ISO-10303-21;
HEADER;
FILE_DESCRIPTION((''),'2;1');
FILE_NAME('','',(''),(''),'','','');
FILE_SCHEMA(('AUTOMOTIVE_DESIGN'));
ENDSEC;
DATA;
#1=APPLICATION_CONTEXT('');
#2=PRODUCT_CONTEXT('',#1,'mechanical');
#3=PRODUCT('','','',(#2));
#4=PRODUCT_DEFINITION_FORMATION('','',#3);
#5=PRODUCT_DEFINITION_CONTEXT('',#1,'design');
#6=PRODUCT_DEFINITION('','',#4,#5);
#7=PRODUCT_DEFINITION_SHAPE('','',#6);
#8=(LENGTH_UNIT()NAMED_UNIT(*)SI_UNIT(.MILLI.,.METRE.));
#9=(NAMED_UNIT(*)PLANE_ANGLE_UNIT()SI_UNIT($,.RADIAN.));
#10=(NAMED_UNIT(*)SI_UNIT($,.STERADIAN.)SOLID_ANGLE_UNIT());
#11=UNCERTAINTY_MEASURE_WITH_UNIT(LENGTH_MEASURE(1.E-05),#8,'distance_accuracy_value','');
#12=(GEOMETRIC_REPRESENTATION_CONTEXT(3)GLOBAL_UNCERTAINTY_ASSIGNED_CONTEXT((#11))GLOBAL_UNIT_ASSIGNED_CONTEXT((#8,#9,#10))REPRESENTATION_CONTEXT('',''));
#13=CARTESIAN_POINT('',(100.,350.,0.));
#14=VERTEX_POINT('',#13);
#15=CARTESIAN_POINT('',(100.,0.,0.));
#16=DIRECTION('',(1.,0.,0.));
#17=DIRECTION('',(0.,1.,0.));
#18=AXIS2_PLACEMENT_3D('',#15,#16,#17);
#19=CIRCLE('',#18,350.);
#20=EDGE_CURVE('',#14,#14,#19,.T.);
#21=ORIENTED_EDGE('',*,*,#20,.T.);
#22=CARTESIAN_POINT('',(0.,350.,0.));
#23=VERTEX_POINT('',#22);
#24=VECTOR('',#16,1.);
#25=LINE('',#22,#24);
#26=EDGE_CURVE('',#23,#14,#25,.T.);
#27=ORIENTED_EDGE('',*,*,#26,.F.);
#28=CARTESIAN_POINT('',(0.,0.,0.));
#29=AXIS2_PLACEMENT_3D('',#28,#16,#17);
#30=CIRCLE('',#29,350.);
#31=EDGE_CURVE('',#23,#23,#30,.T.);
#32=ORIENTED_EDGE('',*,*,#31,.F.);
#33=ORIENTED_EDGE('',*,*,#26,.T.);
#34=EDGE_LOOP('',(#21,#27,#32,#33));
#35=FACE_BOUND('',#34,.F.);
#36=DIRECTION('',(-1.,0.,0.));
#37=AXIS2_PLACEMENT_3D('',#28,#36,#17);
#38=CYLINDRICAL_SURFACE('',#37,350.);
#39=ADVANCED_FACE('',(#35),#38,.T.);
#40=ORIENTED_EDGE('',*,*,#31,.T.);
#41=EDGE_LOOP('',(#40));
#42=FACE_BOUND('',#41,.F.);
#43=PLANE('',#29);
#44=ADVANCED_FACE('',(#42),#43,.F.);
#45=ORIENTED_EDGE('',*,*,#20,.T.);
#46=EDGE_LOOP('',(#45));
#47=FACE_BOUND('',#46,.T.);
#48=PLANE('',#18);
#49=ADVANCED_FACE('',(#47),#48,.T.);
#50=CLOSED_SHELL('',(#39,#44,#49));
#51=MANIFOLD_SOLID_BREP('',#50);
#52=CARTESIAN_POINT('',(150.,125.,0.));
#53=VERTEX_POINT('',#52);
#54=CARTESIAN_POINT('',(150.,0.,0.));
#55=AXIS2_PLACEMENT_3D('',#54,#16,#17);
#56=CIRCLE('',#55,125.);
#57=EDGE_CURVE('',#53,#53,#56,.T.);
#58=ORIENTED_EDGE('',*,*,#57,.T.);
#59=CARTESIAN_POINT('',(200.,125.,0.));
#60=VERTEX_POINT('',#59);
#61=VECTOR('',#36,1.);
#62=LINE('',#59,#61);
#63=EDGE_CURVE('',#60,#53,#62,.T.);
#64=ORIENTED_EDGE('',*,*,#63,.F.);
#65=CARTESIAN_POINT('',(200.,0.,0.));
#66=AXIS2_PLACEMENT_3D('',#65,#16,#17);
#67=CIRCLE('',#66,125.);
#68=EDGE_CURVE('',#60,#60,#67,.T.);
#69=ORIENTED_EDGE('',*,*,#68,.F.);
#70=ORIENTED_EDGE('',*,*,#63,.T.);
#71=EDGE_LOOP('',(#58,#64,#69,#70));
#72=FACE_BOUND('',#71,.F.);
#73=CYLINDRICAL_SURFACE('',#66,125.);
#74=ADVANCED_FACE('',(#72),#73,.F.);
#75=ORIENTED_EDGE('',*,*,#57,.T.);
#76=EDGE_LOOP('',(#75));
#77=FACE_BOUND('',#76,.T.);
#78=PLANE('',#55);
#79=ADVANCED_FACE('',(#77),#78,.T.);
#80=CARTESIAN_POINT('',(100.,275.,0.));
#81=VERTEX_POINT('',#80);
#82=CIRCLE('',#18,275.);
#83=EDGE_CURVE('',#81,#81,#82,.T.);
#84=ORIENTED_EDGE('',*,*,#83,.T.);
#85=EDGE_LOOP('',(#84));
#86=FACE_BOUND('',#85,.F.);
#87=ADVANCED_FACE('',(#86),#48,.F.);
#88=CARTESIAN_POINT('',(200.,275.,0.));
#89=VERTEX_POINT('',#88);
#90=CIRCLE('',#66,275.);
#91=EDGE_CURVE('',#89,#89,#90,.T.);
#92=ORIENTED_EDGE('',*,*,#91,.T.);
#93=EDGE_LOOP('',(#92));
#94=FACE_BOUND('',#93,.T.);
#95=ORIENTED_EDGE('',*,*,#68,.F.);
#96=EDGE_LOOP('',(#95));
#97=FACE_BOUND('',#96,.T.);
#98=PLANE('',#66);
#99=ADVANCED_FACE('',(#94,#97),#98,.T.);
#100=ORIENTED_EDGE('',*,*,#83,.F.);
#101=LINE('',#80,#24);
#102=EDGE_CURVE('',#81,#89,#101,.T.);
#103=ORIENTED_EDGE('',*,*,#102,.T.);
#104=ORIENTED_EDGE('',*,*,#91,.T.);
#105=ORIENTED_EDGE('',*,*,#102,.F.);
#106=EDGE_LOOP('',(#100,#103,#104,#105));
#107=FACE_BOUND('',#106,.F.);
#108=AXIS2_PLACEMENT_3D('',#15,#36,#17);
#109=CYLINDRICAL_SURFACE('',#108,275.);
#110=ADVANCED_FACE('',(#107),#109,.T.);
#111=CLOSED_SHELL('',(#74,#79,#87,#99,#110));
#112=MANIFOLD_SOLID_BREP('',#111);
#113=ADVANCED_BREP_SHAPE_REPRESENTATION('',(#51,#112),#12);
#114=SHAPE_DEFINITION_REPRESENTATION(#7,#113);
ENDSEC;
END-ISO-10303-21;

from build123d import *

# Parameters (mm, degrees)
F0_R     = 350
F1_DEPTH = 100
F2_R     = 275
F3_DEPTH = 100
F4_R     = 125
F5_DEPTH = 50


with BuildPart() as f1:
    # F0 (on Right) → F1 (new body)
    with BuildSketch(Plane.YZ):
        Circle(F0_R)
    extrude(amount=F1_DEPTH)


with BuildPart() as f3:
    # F2 (on face) → F3 (new body)
    with BuildSketch(Plane.YZ.offset(100)):
        Circle(F2_R)
    extrude(amount=F3_DEPTH)

    # F4 (on face) → F5 (cut)
    with BuildSketch(Plane.YZ.offset(200)):
        Circle(F4_R)
    extrude(amount=-F5_DEPTH, mode=Mode.SUBTRACT)


solid = Compound([f1.part, f3.part])
